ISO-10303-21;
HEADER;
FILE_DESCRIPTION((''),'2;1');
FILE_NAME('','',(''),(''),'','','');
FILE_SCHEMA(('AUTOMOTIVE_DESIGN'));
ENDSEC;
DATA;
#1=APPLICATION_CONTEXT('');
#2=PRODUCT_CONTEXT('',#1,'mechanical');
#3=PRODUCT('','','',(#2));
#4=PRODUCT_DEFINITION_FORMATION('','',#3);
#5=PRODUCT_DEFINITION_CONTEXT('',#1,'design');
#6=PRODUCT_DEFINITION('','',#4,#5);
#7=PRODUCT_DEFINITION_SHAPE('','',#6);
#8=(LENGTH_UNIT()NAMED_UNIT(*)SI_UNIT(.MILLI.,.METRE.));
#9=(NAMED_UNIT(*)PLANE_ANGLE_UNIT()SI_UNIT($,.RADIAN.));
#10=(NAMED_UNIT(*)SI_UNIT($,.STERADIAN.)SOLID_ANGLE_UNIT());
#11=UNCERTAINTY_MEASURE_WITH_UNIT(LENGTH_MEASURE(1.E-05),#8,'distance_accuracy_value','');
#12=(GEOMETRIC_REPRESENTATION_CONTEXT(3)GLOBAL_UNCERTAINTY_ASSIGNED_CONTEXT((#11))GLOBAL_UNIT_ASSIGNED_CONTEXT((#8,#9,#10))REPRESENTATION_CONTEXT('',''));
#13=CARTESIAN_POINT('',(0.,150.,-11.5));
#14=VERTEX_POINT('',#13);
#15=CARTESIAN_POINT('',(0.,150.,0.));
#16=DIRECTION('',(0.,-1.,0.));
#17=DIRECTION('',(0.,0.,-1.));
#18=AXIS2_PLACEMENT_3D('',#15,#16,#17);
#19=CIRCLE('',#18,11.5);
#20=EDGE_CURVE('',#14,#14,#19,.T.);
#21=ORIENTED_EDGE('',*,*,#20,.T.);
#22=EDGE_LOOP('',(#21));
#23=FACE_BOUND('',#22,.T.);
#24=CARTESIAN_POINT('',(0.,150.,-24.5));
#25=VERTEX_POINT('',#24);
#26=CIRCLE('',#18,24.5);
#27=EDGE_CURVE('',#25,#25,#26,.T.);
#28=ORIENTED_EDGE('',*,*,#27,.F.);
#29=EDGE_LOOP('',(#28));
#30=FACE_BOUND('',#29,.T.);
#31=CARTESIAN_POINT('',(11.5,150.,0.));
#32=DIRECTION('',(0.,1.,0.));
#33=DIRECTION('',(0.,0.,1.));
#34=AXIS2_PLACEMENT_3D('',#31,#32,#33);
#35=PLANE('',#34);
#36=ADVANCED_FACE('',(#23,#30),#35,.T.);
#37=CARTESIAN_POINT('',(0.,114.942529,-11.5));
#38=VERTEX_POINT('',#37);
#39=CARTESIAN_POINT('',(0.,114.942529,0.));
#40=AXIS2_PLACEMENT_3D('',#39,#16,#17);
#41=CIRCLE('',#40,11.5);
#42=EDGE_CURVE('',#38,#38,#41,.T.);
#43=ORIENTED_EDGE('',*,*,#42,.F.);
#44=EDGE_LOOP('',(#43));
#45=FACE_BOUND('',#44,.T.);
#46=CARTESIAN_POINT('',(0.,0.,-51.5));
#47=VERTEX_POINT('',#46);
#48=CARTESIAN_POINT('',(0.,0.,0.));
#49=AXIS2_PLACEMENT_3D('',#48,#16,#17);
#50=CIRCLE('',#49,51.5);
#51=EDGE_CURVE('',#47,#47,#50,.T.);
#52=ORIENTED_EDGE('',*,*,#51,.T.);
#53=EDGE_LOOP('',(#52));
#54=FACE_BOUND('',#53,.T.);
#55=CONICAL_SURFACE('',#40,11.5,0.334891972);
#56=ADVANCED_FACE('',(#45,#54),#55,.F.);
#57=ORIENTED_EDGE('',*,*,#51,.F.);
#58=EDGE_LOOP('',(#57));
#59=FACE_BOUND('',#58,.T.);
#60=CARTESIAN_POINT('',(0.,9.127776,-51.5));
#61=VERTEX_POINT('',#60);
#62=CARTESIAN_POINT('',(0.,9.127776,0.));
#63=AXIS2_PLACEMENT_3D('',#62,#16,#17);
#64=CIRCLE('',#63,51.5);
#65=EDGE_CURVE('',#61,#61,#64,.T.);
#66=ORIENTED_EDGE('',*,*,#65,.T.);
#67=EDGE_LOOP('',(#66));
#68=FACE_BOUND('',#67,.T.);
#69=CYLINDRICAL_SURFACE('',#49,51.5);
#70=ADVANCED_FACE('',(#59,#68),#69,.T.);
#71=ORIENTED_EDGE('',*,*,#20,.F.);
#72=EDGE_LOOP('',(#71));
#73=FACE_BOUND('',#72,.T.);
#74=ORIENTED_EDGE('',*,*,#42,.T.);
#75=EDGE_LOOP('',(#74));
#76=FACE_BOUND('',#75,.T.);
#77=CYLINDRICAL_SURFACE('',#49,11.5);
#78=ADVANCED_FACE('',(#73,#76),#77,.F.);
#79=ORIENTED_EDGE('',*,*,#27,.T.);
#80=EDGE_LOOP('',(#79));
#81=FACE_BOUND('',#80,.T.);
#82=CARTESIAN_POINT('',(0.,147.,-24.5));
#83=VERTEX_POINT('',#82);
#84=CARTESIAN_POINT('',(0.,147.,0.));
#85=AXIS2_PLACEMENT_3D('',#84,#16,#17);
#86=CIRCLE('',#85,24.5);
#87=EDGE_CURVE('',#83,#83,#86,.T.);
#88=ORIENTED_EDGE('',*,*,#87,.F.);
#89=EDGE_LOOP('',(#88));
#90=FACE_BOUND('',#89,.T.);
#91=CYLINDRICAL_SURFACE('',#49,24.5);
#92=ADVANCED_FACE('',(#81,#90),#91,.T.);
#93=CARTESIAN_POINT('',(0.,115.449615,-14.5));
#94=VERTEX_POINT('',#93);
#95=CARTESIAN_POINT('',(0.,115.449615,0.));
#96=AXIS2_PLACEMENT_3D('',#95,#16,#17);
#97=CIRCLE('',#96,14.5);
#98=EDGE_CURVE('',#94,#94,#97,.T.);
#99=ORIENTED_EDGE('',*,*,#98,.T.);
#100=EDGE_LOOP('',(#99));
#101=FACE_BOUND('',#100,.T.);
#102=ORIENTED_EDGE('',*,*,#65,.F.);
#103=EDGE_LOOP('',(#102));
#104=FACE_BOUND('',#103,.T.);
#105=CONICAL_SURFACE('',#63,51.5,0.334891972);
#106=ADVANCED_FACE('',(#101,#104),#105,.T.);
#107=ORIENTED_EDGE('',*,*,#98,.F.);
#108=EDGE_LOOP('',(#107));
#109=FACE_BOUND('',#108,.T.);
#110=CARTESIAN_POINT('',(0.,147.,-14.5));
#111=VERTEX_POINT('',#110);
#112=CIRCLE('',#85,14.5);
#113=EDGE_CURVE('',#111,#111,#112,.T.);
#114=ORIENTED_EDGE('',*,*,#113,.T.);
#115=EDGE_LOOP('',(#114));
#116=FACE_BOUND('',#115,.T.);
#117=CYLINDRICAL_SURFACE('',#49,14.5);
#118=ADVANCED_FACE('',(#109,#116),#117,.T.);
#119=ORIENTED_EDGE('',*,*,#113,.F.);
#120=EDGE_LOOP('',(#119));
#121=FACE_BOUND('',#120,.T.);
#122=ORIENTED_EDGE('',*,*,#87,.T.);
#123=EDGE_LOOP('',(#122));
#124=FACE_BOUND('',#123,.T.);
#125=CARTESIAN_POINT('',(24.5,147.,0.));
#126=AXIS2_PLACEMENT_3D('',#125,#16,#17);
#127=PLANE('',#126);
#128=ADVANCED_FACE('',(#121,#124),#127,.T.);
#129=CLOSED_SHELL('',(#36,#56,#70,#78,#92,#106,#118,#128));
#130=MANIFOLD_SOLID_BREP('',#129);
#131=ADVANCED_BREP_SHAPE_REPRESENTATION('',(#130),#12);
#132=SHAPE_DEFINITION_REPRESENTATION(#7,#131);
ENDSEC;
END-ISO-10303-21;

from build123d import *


with BuildPart() as part:
    # Sketch1 → Revolve1 (revolve)
    with BuildSketch(Plane.XY, mode=Mode.PRIVATE) as revolve1_sk:
        Polygon((11.5, 150), (11.5, 114.942528736), (51.5, 0), (51.5, 9.127775749), (14.5, 115.44961483), (14.5, 147), (24.5, 147), (24.5, 150), (14.5, 150), align=None)
    revolve(revolve1_sk.sketch.rotate(Axis((0, 0, 0), (0, 1, 0)), 90), axis=Axis((0, 0, 0), (0, 1, 0)))  # turned: the seam where the file's is


solid = part.part
